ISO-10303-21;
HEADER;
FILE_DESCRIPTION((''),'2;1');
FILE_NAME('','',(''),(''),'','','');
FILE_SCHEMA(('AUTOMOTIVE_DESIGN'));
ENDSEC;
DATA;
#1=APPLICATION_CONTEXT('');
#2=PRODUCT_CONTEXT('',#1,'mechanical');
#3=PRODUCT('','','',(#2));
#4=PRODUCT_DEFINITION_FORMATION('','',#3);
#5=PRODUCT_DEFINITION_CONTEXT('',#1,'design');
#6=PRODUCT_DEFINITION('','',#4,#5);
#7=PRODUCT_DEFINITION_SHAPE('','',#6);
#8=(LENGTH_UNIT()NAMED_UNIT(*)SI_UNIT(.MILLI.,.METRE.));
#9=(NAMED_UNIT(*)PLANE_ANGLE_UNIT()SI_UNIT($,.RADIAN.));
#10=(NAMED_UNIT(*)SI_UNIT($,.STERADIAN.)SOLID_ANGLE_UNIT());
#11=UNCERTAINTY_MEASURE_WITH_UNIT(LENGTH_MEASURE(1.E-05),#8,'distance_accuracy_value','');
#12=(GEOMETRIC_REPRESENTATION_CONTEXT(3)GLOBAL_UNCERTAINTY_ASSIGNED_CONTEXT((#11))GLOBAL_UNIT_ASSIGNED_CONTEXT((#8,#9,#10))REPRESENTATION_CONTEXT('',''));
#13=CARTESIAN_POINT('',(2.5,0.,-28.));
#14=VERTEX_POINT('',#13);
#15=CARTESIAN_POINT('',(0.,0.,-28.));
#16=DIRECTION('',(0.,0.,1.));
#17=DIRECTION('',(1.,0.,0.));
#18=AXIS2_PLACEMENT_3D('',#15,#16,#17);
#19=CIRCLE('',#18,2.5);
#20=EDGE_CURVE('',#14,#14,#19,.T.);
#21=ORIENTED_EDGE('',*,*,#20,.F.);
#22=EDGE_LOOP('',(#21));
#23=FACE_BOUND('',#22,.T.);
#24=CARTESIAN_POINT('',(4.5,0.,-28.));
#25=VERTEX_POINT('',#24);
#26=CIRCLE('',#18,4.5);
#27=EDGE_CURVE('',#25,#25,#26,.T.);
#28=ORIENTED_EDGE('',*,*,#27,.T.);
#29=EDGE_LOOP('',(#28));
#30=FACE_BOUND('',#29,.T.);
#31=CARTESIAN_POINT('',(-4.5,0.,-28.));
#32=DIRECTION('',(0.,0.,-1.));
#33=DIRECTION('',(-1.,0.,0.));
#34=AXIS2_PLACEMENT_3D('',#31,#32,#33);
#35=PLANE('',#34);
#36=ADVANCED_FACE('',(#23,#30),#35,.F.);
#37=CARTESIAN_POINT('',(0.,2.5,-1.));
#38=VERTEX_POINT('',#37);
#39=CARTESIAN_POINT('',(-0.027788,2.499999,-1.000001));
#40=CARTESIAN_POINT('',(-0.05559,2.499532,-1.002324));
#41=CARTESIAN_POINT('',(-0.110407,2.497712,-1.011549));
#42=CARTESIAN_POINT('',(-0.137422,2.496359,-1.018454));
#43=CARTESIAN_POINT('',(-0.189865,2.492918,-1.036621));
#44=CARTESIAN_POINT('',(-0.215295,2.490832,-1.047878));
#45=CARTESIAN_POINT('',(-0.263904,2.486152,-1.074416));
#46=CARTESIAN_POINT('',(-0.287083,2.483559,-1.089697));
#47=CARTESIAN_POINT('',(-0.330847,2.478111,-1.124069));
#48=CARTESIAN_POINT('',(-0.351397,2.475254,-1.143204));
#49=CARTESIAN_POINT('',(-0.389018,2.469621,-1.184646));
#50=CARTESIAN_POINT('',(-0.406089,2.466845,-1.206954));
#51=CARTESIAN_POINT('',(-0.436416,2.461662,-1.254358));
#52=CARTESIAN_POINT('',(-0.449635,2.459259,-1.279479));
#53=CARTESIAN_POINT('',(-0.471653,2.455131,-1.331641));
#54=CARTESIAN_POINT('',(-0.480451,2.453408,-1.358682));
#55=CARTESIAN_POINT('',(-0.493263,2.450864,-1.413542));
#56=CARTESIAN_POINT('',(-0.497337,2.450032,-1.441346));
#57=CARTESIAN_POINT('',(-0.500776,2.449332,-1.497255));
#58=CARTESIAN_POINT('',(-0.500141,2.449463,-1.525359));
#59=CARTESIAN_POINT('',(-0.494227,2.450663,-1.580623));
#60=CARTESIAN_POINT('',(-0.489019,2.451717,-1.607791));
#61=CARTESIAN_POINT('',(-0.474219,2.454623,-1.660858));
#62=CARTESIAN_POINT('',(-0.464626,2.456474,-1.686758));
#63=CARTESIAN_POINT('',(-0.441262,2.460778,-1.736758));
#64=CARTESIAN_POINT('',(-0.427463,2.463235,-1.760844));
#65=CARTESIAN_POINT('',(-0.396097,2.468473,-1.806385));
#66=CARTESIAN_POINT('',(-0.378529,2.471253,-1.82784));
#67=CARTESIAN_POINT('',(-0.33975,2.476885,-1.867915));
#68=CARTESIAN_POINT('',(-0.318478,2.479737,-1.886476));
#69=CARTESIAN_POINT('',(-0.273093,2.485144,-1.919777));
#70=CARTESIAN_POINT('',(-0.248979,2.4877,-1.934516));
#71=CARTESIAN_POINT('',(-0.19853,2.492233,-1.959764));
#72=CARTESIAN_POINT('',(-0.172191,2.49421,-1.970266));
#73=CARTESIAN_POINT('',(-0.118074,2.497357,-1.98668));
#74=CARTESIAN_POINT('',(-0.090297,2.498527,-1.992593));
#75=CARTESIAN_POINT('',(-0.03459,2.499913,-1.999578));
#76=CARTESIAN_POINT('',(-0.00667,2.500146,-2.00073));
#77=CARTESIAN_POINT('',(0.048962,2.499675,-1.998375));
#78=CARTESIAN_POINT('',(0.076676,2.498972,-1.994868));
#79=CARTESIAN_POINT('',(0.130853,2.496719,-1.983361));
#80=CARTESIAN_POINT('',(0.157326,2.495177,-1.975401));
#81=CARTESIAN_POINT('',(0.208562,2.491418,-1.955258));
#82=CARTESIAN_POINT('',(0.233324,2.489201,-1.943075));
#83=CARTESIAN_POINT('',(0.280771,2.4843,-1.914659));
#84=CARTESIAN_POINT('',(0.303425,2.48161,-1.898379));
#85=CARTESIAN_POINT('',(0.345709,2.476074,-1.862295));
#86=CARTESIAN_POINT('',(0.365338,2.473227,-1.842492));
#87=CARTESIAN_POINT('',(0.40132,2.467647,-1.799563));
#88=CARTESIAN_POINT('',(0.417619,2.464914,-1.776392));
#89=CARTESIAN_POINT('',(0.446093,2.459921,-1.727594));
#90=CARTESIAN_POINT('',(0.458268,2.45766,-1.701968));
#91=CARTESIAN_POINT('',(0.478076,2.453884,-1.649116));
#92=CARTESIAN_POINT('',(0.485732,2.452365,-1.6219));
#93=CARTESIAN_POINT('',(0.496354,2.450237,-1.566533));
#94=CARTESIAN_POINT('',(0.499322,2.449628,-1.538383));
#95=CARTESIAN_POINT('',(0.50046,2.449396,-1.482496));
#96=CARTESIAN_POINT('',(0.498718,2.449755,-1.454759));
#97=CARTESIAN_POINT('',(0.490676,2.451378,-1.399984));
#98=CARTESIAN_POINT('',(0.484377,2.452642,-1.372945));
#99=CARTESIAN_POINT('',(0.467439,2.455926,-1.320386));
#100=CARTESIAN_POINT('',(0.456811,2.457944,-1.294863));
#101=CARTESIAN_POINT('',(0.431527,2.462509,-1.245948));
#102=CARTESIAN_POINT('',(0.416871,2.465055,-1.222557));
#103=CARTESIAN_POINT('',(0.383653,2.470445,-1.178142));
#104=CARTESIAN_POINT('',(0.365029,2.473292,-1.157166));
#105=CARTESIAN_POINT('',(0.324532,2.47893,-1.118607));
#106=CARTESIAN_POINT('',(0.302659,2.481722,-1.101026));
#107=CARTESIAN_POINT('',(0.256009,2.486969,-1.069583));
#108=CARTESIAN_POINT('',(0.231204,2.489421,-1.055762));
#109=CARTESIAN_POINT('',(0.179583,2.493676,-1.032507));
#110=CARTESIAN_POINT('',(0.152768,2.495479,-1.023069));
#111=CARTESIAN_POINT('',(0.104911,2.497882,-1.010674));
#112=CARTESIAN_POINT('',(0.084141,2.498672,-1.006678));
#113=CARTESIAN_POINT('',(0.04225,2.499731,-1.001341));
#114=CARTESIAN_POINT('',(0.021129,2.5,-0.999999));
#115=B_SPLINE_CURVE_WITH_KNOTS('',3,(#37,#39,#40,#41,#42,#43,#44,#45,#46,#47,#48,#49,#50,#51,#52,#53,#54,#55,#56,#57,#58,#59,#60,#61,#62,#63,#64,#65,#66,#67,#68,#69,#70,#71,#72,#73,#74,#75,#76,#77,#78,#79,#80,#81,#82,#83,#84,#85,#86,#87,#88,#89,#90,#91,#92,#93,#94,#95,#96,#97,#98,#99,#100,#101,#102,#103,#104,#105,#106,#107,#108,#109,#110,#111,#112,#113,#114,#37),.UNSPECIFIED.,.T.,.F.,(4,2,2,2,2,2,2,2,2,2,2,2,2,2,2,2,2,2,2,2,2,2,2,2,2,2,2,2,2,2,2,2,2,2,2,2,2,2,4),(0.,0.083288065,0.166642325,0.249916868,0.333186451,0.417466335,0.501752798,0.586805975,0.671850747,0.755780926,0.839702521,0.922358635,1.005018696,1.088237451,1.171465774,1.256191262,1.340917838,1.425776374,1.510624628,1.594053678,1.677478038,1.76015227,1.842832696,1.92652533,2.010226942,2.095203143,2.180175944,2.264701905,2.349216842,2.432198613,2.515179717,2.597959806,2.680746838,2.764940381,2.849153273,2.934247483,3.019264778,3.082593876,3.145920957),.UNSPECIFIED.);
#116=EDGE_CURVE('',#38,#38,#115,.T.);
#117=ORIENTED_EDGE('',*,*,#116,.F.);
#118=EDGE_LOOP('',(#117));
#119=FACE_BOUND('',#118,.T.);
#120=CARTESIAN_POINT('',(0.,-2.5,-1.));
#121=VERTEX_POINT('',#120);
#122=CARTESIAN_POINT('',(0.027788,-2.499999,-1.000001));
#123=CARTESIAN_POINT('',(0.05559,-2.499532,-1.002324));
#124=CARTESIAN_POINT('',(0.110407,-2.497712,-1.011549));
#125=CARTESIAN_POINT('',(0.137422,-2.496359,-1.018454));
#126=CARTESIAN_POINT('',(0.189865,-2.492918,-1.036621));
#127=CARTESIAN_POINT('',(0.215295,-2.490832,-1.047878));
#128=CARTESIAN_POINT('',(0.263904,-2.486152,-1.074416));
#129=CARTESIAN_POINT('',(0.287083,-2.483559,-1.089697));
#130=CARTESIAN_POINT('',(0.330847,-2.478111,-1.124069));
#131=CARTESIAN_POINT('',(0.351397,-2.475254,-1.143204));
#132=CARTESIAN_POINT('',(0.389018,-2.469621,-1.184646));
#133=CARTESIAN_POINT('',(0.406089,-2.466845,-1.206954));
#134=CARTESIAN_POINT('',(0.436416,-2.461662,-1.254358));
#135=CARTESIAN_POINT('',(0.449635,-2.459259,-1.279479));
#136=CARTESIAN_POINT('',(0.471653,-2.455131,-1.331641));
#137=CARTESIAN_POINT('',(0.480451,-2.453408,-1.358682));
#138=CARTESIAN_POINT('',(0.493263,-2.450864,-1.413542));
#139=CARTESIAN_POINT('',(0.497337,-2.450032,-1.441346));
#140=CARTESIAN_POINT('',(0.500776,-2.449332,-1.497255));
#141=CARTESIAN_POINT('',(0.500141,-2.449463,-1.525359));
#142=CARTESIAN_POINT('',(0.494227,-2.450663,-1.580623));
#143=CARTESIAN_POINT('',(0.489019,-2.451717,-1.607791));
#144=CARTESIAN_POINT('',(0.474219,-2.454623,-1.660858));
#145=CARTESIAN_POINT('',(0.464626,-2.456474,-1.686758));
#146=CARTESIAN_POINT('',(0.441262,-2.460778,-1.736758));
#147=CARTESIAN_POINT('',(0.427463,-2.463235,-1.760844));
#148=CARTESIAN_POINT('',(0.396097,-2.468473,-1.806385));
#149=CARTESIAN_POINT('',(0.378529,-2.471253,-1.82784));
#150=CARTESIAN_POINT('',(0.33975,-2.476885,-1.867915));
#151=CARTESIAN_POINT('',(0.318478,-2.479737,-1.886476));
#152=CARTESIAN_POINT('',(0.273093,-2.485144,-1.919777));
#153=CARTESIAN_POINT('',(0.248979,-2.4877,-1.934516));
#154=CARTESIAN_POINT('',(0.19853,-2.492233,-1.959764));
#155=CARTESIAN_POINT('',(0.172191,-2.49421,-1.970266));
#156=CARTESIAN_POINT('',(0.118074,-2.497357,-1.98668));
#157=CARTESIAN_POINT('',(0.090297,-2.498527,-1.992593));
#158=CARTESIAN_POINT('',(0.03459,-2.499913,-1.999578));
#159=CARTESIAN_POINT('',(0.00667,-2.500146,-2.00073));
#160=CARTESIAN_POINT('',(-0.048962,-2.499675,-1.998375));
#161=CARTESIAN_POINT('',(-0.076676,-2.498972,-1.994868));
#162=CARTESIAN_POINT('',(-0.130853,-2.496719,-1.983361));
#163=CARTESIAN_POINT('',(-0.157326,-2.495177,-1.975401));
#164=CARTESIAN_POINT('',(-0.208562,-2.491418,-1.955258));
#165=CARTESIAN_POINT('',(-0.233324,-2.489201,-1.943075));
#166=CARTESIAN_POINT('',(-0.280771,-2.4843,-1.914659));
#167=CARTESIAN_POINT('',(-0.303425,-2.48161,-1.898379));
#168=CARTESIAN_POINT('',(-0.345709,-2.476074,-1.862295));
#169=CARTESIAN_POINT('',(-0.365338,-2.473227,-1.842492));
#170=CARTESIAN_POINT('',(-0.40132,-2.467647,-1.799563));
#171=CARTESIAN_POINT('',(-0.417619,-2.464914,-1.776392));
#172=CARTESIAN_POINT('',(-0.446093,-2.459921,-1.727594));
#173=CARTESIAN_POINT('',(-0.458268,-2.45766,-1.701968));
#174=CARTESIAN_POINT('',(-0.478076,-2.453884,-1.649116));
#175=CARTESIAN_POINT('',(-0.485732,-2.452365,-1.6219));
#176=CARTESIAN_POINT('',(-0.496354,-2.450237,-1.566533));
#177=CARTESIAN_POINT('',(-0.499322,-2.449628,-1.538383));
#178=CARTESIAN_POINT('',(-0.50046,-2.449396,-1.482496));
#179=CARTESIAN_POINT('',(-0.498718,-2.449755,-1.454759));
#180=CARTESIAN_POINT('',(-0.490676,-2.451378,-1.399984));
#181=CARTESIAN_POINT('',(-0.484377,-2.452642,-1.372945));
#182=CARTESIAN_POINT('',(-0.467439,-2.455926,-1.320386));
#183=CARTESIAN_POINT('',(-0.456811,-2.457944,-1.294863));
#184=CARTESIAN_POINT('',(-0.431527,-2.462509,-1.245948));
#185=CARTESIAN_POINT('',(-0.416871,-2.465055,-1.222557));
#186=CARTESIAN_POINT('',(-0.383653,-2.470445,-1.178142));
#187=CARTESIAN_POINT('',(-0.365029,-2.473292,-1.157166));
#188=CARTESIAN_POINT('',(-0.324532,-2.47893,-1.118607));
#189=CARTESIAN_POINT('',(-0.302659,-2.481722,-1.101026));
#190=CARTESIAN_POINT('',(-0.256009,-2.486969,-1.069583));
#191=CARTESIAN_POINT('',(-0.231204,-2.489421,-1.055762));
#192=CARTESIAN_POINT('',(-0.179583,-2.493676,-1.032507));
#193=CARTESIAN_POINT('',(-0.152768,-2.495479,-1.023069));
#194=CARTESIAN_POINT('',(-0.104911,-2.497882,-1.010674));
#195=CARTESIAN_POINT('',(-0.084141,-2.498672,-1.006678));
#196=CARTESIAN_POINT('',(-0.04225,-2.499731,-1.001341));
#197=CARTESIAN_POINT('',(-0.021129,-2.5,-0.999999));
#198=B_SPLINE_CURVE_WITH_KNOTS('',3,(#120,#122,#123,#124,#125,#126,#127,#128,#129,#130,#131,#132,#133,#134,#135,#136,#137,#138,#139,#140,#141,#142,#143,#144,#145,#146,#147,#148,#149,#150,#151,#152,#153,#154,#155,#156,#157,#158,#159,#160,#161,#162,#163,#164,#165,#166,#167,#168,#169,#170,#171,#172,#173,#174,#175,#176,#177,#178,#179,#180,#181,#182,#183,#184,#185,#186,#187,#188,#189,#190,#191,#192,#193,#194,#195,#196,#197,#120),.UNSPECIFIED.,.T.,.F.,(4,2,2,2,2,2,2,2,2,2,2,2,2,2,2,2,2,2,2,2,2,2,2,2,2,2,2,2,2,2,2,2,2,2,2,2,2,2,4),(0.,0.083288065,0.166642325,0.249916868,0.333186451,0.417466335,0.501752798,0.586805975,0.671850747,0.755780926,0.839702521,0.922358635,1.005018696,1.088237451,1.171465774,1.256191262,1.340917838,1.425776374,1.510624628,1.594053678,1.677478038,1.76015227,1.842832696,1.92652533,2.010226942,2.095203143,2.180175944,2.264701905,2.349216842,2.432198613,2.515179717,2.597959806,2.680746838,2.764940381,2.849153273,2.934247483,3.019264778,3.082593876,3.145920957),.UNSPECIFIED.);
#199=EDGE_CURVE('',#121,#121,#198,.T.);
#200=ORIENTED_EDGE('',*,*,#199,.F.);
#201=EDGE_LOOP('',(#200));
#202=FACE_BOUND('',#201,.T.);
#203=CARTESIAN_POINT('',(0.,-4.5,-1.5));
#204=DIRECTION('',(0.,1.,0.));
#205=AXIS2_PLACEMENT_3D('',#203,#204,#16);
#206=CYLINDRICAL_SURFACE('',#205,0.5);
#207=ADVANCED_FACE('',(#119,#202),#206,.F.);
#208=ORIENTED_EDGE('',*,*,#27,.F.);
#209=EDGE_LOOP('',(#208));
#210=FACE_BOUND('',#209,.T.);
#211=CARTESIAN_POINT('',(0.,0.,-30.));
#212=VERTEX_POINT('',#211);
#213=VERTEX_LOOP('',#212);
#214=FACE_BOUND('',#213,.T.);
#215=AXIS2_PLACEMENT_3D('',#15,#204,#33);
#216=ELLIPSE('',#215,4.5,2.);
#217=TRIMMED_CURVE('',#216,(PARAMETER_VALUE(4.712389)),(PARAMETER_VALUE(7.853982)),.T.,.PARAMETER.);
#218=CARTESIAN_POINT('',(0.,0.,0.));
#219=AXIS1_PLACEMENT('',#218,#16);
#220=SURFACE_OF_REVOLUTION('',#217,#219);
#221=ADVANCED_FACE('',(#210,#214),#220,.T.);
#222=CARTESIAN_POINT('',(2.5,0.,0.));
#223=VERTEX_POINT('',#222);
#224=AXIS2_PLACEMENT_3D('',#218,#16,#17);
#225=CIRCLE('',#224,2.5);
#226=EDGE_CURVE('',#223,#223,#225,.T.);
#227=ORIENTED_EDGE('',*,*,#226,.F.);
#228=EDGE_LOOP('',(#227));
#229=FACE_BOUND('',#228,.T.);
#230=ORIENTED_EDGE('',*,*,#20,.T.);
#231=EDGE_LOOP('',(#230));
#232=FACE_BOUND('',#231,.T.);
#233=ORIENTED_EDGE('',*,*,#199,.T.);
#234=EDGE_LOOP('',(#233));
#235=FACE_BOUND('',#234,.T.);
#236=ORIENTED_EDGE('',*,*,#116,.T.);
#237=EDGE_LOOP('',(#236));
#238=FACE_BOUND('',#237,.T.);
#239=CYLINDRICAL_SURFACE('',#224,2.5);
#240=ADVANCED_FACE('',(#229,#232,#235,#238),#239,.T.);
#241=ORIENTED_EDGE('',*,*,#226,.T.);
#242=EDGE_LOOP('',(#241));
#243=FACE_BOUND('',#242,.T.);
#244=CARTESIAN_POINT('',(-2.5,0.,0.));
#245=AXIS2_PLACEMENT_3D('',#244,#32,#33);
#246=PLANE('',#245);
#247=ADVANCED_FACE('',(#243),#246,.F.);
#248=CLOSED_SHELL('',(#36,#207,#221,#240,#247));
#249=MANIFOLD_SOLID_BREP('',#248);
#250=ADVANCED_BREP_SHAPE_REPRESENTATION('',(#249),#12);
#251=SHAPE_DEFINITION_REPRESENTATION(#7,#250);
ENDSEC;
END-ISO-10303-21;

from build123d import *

# Parameters (mm, degrees)
SKETCH2_R               = 0.5
CUT_EXTRUDE1_DEPTH      = 5.5000001
CUT_EXTRUDE1_DEPTH_BACK = 5.5000001


with BuildPart() as part:
    # Sketch1 → Revolve1 (revolve)
    with BuildSketch(Plane(origin=(0, 0, 0), x_dir=(1, 0, 0), z_dir=(0, 1, 0))):
        with BuildLine():
            Line((0, 0), (0, 30))
            add(Edge.make_bspline(
                [(0, 30), (-4.5, 30), (-4.5, 28)],
                knots=[4.71238898, 4.71238898, 4.71238898, 6.283185307, 6.283185307, 6.283185307], degree=2, weights=[1, 0.707106781, 1]))
            Line((-4.5, 28), (-2.5, 28))
            Line((-2.5, 28), (-2.5, 0))
            Line((-2.5, 0), (0, 0))
        make_face()
    revolve(axis=Axis((0, 0, 0), (0, 0, -1)))

    # Sketch2 → Cut-Extrude1 (cut, two sides)
    with BuildSketch(Plane(origin=(0, 0, 0), x_dir=(1, 0, 0), z_dir=(0, 1, 0))) as cut_extrude1_sk:
        with Locations((0, 1.5)):
            Circle(SKETCH2_R)
    extrude(amount=CUT_EXTRUDE1_DEPTH, mode=Mode.SUBTRACT)
    extrude(cut_extrude1_sk.sketch, amount=-CUT_EXTRUDE1_DEPTH_BACK, mode=Mode.SUBTRACT)


solid = part.part
